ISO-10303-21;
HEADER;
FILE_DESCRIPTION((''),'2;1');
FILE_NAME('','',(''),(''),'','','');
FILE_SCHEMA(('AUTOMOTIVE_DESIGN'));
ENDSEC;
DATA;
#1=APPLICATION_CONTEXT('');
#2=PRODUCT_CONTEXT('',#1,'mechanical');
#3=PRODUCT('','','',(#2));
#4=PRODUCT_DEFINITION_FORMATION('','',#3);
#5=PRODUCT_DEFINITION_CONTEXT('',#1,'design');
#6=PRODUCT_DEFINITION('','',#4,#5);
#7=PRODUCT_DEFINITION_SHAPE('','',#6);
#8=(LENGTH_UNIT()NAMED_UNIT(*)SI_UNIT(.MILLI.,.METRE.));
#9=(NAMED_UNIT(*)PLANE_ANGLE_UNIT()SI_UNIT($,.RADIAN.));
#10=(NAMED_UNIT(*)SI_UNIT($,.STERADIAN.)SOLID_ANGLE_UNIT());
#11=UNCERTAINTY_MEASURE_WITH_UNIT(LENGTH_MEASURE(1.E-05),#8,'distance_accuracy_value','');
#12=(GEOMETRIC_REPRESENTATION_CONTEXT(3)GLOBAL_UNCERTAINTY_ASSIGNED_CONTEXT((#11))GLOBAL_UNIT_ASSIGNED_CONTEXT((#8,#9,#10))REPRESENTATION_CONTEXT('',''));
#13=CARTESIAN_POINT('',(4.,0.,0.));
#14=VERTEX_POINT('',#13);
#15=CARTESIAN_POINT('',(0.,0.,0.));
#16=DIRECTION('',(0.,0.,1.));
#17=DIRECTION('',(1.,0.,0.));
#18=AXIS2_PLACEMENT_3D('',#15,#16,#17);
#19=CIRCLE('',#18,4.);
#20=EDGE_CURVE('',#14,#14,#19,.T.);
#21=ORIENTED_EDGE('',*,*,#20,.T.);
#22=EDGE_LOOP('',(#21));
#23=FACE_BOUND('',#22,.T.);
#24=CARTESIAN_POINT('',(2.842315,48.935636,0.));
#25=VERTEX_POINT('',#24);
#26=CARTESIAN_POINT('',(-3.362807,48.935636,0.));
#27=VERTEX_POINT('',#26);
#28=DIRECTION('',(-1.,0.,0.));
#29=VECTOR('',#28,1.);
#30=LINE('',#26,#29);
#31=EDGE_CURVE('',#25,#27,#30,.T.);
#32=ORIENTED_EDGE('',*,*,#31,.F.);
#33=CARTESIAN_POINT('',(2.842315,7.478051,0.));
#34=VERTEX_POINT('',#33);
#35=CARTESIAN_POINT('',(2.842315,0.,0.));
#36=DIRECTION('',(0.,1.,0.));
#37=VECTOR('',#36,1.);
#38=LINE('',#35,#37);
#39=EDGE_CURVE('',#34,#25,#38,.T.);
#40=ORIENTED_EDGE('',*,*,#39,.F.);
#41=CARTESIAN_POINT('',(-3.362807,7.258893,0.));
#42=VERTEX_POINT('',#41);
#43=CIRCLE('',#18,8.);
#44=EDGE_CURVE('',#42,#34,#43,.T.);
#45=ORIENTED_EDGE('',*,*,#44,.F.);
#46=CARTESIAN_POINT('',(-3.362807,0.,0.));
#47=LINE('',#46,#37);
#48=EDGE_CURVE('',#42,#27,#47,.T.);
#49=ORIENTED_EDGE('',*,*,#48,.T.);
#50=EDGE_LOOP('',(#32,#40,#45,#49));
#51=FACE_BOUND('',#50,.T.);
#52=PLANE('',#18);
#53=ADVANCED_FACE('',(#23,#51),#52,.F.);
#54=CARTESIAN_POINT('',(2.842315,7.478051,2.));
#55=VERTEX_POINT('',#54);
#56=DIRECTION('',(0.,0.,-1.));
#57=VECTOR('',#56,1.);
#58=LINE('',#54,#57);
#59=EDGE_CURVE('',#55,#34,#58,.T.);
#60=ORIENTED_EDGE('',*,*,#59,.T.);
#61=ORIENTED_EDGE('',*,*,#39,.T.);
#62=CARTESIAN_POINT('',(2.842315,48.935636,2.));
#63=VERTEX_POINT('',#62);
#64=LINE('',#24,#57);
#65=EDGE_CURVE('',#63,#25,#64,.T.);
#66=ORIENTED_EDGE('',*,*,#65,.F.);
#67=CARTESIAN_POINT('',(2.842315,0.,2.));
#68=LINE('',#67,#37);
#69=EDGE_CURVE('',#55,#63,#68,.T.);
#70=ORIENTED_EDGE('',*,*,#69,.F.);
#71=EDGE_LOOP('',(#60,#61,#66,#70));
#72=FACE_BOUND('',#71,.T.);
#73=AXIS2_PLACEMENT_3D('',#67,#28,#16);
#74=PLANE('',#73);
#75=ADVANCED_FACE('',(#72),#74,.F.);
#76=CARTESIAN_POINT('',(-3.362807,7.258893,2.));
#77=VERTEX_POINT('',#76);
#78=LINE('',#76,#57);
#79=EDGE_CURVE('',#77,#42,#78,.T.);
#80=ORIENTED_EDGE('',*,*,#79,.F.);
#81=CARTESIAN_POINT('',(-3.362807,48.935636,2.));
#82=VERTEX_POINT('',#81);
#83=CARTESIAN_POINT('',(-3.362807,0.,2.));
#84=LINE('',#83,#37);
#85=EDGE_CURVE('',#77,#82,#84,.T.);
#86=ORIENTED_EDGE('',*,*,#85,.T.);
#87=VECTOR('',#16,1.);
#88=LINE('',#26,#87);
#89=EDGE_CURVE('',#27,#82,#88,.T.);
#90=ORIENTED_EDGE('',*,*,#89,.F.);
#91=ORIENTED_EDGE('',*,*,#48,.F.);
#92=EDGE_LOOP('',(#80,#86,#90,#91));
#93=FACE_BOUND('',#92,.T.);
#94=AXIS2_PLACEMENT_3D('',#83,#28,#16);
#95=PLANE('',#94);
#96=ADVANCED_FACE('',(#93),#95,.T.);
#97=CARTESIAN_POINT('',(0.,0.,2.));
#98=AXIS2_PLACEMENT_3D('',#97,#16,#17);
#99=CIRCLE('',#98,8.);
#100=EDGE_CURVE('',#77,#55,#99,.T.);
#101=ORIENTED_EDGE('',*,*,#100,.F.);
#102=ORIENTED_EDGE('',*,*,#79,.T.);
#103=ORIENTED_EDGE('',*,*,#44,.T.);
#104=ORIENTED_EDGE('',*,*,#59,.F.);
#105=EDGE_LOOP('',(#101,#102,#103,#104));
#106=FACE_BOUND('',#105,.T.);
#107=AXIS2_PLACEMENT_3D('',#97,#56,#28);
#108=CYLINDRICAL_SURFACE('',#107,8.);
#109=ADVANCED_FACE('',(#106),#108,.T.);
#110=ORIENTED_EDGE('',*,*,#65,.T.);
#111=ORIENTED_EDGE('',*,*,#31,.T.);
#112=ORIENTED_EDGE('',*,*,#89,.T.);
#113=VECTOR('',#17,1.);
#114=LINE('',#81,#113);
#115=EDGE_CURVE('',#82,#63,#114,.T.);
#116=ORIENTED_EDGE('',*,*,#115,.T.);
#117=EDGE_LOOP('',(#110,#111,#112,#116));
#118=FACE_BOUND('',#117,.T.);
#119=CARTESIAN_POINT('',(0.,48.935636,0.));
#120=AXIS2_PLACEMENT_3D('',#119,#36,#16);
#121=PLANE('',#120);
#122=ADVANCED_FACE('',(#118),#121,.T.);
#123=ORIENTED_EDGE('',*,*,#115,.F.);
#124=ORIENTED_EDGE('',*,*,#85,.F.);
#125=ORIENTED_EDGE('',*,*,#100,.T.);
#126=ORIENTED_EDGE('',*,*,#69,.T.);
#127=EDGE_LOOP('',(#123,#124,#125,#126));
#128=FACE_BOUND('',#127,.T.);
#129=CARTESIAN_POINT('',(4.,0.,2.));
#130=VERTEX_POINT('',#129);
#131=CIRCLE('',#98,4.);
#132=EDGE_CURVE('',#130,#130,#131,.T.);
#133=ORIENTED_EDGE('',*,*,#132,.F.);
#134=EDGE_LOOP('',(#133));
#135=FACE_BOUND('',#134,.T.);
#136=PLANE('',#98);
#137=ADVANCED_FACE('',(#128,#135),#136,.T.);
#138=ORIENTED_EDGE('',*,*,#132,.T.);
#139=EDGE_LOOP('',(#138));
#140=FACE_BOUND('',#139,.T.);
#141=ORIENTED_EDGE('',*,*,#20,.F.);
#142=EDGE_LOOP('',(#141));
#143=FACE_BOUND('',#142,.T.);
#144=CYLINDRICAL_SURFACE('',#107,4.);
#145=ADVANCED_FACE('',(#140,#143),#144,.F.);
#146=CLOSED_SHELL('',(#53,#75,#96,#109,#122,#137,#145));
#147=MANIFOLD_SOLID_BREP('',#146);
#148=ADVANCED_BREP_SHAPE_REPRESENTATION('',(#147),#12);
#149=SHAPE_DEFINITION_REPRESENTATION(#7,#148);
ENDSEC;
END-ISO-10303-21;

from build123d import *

# Parameters (mm, degrees)
CROQUIS1_R              = 4
SALIENTE_EXTRUIR1_DEPTH = 2
CROQUIS3_W              = 6.205121333
CROQUIS3_H              = 2
SALIENTE_EXTRUIR2_DEPTH = 24.5
CROQUIS4_W              = 6.205121333
CROQUIS4_H              = 2
SALIENTE_EXTRUIR3_DEPTH = 8


with BuildPart() as part:
    # Croquis1 → Saliente-Extruir1 (new body)
    with BuildSketch(Plane.XY):
        with BuildLine():
            Line((-3.36280679, 16.435636067), (-3.36280679, 7.2588932))
            ThreePointArc((-3.36280679, 7.2588932), (0.282374909, -7.995014973), (2.842314543, 7.478051086))
            Line((2.842314543, 7.478051086), (2.842314543, 16.435636067))
            Line((2.842314543, 16.435636067), (-3.36280679, 16.435636067))
        make_face()
        Circle(CROQUIS1_R, mode=Mode.SUBTRACT)
    extrude(amount=SALIENTE_EXTRUIR1_DEPTH)

    # Croquis3 → Saliente-Extruir2 (add)
    with BuildSketch(Plane(origin=(0, 16.435636067, 0), x_dir=(1, 0, 0), z_dir=(0, 1, 0))):
        with Locations((-0.260246123, -1)):
            Rectangle(CROQUIS3_W, CROQUIS3_H)
    extrude(amount=SALIENTE_EXTRUIR2_DEPTH)

    # Croquis4 → Saliente-Extruir3 (add)
    with BuildSketch(Plane(origin=(0, 40.935636067, 0), x_dir=(1, 0, 0), z_dir=(0, 1, 0))):
        with Locations((-0.260246123, -1)):
            Rectangle(CROQUIS4_W, CROQUIS4_H)
    extrude(amount=SALIENTE_EXTRUIR3_DEPTH)


solid = part.part
